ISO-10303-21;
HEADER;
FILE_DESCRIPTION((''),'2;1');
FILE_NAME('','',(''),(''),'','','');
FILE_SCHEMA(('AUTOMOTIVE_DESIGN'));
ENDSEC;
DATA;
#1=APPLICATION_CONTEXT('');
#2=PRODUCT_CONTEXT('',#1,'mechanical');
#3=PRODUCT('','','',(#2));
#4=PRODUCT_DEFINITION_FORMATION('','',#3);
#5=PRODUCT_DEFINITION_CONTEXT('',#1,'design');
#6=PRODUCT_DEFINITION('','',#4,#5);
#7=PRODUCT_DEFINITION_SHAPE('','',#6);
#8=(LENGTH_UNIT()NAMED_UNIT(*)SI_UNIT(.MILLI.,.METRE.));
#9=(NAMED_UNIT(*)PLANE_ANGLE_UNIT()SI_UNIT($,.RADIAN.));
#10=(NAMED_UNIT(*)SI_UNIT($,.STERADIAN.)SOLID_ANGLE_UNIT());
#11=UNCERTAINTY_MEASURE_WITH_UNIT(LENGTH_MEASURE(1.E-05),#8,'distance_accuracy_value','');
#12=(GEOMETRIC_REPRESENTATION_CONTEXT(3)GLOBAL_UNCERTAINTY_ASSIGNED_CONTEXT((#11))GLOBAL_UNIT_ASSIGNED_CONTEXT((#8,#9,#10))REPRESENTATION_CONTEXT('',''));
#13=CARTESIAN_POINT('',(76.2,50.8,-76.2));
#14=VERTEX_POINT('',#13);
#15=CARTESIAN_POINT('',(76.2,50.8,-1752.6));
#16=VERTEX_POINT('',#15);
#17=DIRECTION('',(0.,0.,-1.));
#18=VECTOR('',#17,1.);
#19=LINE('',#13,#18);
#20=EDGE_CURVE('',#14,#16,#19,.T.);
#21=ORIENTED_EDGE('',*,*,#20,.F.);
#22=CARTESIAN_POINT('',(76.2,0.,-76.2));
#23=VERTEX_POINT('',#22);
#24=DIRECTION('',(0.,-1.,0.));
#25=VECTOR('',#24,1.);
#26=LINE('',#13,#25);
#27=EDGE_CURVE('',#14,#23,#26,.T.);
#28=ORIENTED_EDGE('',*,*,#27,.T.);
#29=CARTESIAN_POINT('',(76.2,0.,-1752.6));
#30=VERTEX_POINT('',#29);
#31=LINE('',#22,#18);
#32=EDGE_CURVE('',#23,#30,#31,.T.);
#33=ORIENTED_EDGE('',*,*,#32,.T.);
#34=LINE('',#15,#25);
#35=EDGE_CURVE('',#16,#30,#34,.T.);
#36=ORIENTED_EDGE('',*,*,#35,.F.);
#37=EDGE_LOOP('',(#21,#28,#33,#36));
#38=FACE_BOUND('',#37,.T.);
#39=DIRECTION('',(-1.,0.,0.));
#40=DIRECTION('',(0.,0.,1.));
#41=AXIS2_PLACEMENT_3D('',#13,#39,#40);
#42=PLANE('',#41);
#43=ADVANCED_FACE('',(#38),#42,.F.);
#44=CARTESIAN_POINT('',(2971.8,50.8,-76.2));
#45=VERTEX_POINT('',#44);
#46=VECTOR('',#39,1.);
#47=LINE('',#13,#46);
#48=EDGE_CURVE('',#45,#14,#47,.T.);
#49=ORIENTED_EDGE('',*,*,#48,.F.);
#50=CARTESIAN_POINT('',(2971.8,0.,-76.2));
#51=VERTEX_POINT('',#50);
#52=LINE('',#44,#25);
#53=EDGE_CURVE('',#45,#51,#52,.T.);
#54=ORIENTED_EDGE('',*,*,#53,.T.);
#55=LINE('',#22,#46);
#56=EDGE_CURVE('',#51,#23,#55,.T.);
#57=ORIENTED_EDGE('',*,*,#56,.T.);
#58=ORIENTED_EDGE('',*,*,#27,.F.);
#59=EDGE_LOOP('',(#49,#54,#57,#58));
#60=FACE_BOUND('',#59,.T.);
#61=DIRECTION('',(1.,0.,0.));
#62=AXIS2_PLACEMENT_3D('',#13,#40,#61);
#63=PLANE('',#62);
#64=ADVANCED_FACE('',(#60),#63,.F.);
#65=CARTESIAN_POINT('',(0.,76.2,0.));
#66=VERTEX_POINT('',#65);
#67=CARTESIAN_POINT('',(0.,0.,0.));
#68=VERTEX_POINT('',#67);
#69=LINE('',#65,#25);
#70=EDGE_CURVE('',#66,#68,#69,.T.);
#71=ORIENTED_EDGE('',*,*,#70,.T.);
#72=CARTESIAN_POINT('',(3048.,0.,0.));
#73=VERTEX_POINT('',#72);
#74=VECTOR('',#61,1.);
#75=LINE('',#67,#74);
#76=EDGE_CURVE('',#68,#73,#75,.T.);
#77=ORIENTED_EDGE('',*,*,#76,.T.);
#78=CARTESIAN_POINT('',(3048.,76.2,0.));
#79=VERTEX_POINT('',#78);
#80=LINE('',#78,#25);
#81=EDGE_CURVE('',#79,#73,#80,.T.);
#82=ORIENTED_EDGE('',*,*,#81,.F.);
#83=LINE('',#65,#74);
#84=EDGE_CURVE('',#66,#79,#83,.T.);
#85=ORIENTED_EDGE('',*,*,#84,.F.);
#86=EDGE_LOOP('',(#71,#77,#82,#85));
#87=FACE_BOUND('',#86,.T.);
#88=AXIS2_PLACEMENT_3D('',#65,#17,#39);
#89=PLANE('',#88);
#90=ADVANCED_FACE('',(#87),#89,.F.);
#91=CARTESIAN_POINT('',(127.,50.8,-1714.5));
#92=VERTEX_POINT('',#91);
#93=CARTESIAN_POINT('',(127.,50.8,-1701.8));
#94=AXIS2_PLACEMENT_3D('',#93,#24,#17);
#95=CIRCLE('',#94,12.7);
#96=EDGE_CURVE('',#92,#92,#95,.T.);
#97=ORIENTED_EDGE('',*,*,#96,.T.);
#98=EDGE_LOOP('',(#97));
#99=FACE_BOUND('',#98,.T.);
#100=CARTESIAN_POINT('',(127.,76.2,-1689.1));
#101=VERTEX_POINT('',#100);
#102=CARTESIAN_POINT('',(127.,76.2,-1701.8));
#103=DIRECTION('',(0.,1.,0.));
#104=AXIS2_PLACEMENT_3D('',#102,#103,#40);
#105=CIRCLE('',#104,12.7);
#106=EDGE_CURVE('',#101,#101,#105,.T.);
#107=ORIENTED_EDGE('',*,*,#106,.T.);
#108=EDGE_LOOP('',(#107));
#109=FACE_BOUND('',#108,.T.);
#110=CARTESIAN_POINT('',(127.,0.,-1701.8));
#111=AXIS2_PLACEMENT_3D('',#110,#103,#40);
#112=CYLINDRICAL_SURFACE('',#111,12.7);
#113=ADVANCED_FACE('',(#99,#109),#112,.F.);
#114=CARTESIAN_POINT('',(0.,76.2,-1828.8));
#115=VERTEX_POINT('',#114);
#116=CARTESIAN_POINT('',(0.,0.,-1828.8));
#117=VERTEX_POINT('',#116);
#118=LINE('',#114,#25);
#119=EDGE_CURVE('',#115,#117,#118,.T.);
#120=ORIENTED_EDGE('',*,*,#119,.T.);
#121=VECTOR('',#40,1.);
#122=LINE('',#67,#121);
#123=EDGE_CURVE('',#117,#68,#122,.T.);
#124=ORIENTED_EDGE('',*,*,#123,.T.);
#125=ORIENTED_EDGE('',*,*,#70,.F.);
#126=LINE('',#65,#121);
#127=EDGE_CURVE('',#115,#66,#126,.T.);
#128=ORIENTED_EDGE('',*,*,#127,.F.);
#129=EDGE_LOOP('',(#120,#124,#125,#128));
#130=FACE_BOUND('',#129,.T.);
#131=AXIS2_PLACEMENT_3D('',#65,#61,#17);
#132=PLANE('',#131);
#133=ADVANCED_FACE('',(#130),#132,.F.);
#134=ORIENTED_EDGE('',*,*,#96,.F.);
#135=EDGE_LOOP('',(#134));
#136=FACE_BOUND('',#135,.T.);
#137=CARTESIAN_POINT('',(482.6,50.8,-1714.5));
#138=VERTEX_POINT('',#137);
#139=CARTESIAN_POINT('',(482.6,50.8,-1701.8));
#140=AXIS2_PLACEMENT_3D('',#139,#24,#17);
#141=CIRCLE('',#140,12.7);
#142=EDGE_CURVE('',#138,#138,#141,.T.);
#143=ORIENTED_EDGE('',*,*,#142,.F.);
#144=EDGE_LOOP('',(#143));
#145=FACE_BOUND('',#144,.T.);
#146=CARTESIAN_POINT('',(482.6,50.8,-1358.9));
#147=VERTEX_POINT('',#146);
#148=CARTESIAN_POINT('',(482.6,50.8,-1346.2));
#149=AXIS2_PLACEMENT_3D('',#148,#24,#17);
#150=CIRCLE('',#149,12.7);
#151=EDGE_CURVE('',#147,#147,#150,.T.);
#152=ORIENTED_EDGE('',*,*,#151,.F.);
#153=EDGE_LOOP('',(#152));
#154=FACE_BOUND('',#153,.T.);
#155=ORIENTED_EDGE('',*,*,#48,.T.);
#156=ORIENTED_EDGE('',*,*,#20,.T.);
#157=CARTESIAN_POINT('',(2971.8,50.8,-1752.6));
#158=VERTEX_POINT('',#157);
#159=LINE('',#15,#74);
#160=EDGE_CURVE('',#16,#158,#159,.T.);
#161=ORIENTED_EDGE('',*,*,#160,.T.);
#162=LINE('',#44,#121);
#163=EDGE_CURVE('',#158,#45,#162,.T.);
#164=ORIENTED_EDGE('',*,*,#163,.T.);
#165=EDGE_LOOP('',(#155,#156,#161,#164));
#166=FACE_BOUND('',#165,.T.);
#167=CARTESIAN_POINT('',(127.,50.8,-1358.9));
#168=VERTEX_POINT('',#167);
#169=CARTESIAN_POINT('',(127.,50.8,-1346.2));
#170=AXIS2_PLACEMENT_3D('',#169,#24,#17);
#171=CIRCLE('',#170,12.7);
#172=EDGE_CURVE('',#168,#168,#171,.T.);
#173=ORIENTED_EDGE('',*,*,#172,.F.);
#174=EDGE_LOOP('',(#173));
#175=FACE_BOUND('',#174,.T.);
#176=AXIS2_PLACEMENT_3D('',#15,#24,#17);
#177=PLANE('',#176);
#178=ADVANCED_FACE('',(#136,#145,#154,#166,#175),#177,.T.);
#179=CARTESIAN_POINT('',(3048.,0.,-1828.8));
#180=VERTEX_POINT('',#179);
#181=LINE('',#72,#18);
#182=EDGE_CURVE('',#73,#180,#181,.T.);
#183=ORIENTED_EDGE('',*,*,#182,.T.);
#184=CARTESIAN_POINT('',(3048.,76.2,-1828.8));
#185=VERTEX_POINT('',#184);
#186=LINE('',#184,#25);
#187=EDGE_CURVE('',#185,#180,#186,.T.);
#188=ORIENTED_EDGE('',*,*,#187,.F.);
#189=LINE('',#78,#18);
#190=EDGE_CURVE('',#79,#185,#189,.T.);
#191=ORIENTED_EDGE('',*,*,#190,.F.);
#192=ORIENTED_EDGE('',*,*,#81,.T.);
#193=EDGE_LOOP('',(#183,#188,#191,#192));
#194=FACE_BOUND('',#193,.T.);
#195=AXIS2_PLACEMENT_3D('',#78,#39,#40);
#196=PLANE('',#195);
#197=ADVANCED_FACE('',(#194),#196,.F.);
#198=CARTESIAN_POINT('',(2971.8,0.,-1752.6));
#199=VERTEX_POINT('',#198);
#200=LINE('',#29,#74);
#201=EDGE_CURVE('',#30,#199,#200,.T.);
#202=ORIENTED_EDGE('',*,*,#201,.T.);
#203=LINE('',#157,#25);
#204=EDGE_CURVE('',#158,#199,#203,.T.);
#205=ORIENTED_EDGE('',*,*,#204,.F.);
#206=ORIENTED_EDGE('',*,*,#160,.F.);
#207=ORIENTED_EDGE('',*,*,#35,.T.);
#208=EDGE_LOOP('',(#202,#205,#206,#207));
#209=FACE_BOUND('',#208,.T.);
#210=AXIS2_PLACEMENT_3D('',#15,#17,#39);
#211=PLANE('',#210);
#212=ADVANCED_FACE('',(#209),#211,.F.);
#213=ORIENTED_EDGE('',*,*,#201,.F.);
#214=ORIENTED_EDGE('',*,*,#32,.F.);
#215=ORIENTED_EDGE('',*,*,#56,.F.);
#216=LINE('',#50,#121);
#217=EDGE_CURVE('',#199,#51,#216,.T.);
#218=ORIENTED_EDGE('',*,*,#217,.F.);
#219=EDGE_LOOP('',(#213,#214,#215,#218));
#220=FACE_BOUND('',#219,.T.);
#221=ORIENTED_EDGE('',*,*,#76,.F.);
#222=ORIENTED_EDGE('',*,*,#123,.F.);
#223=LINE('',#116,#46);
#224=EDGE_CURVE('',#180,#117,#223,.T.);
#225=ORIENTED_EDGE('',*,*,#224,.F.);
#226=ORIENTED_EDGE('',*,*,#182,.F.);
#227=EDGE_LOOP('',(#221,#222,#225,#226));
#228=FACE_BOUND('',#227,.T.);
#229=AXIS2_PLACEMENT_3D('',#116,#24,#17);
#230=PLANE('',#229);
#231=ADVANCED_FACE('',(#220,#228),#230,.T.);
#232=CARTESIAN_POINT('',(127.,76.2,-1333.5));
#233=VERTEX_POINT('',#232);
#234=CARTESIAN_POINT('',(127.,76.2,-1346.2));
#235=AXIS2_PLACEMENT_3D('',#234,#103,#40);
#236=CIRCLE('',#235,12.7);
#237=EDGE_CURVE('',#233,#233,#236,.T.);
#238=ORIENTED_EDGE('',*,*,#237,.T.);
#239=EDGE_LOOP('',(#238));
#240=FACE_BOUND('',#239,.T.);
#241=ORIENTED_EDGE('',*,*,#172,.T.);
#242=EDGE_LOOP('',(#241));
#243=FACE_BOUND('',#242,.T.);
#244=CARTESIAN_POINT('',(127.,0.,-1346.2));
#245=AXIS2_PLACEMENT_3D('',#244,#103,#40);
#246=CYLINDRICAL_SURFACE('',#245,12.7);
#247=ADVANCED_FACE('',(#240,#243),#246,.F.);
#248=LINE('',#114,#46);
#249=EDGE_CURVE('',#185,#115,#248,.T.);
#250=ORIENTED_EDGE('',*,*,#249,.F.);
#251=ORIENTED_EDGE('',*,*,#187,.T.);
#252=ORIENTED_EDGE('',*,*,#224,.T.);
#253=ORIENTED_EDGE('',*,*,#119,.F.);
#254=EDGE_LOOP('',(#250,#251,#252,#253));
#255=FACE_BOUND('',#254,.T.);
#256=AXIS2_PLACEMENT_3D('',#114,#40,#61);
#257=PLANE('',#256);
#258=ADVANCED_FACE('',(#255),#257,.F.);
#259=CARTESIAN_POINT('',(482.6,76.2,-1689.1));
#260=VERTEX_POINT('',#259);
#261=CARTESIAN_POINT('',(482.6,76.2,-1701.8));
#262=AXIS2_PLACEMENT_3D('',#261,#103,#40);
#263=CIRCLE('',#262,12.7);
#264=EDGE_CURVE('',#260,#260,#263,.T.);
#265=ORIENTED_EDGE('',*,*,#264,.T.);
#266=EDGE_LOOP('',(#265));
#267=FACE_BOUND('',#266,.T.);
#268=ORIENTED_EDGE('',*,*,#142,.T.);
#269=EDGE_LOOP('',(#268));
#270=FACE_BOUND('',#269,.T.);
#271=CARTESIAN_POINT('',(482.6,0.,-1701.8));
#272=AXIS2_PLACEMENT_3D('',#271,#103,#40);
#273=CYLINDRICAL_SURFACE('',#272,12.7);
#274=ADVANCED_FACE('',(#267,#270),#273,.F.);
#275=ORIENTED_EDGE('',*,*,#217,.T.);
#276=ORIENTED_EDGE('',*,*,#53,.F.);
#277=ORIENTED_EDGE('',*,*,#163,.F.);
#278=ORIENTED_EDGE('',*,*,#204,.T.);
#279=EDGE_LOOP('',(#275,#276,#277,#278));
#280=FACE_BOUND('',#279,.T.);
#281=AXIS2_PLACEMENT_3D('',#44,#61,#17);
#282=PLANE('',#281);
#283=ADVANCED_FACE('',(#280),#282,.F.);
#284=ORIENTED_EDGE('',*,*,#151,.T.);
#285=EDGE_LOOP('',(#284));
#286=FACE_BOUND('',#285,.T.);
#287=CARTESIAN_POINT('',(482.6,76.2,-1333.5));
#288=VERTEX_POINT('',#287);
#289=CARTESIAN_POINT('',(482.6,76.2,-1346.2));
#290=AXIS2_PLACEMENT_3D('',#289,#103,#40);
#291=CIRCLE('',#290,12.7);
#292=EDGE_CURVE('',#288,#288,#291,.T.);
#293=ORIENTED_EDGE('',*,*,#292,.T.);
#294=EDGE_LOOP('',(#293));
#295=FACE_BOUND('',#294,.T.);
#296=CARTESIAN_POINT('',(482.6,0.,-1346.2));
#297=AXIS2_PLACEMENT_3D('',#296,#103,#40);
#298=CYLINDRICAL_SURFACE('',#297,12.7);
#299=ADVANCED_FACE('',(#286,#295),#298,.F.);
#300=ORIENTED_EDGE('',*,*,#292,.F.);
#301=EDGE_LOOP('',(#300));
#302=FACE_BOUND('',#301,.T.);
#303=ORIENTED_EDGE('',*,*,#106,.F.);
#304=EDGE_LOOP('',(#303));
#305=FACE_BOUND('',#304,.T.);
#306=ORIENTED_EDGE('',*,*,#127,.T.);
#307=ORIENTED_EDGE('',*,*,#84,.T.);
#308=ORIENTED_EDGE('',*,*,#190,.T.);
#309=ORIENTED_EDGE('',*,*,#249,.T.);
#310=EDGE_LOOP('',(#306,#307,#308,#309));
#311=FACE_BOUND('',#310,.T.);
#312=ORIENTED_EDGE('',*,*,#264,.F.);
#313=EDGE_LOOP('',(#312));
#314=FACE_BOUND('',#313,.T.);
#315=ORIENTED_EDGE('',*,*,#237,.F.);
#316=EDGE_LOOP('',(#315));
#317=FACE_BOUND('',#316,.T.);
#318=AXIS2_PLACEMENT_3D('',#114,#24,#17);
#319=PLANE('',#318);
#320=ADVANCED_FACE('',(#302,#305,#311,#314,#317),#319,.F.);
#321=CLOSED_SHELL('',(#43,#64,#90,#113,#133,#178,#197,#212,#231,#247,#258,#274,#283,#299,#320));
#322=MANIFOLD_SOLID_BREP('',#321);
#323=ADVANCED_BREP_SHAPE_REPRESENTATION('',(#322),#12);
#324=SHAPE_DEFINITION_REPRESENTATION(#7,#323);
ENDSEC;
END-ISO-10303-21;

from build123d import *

# Parameters (mm, degrees)
SKETCH1_W            = 3048
SKETCH1_H            = 1828.8
BOSS_EXTRUDE1_DEPTH  = 76.2
SKETCH2_W            = 2895.6
SKETCH2_H            = 1676.4
CUT_EXTRUDE1_DEPTH   = 50.8
SKETCH3_R            = 12.7
CUT_EXTRUDE2_DEPTH   = 77.2
LPATTERN1_COUNT      = 2
LPATTERN1_PITCH      = 355.6
LPATTERN1_COUNT_DIR2 = 2
LPATTERN1_PITCH_DIR2 = 355.6


with BuildPart() as part:
    # Sketch1 → Boss-Extrude1 (new body)
    with BuildSketch(Plane(origin=(0, 0, 0), x_dir=(1, 0, 0), z_dir=(0, 1, 0))):
        with Locations((1524, 914.4)):
            Rectangle(SKETCH1_W, SKETCH1_H)
    extrude(amount=BOSS_EXTRUDE1_DEPTH)

    # Sketch2 → Cut-Extrude1 (cut)
    with BuildSketch(Plane.XZ):
        with Locations((1524, -914.4)):
            Rectangle(SKETCH2_W, SKETCH2_H)
    extrude(amount=-CUT_EXTRUDE1_DEPTH, mode=Mode.SUBTRACT)

    # Sketch3 → Cut-Extrude2 (cut, through all)
    with BuildSketch(Plane(origin=(0, 76.2, 0), x_dir=(1, 0, 0), z_dir=(0, 1, 0))):
        with Locations((127, 1701.8)):
            Circle(SKETCH3_R)
    cut_extrude2 = extrude(amount=-CUT_EXTRUDE2_DEPTH, mode=Mode.SUBTRACT)

    # LPattern1: Cut-Extrude2 2 × 2
    with Locations(*[(i * LPATTERN1_PITCH, 0, j * LPATTERN1_PITCH_DIR2) for i in range(LPATTERN1_COUNT) for j in range(LPATTERN1_COUNT_DIR2) if (i, j) != (0, 0)]):
        add(cut_extrude2, mode=Mode.SUBTRACT)


solid = part.part
